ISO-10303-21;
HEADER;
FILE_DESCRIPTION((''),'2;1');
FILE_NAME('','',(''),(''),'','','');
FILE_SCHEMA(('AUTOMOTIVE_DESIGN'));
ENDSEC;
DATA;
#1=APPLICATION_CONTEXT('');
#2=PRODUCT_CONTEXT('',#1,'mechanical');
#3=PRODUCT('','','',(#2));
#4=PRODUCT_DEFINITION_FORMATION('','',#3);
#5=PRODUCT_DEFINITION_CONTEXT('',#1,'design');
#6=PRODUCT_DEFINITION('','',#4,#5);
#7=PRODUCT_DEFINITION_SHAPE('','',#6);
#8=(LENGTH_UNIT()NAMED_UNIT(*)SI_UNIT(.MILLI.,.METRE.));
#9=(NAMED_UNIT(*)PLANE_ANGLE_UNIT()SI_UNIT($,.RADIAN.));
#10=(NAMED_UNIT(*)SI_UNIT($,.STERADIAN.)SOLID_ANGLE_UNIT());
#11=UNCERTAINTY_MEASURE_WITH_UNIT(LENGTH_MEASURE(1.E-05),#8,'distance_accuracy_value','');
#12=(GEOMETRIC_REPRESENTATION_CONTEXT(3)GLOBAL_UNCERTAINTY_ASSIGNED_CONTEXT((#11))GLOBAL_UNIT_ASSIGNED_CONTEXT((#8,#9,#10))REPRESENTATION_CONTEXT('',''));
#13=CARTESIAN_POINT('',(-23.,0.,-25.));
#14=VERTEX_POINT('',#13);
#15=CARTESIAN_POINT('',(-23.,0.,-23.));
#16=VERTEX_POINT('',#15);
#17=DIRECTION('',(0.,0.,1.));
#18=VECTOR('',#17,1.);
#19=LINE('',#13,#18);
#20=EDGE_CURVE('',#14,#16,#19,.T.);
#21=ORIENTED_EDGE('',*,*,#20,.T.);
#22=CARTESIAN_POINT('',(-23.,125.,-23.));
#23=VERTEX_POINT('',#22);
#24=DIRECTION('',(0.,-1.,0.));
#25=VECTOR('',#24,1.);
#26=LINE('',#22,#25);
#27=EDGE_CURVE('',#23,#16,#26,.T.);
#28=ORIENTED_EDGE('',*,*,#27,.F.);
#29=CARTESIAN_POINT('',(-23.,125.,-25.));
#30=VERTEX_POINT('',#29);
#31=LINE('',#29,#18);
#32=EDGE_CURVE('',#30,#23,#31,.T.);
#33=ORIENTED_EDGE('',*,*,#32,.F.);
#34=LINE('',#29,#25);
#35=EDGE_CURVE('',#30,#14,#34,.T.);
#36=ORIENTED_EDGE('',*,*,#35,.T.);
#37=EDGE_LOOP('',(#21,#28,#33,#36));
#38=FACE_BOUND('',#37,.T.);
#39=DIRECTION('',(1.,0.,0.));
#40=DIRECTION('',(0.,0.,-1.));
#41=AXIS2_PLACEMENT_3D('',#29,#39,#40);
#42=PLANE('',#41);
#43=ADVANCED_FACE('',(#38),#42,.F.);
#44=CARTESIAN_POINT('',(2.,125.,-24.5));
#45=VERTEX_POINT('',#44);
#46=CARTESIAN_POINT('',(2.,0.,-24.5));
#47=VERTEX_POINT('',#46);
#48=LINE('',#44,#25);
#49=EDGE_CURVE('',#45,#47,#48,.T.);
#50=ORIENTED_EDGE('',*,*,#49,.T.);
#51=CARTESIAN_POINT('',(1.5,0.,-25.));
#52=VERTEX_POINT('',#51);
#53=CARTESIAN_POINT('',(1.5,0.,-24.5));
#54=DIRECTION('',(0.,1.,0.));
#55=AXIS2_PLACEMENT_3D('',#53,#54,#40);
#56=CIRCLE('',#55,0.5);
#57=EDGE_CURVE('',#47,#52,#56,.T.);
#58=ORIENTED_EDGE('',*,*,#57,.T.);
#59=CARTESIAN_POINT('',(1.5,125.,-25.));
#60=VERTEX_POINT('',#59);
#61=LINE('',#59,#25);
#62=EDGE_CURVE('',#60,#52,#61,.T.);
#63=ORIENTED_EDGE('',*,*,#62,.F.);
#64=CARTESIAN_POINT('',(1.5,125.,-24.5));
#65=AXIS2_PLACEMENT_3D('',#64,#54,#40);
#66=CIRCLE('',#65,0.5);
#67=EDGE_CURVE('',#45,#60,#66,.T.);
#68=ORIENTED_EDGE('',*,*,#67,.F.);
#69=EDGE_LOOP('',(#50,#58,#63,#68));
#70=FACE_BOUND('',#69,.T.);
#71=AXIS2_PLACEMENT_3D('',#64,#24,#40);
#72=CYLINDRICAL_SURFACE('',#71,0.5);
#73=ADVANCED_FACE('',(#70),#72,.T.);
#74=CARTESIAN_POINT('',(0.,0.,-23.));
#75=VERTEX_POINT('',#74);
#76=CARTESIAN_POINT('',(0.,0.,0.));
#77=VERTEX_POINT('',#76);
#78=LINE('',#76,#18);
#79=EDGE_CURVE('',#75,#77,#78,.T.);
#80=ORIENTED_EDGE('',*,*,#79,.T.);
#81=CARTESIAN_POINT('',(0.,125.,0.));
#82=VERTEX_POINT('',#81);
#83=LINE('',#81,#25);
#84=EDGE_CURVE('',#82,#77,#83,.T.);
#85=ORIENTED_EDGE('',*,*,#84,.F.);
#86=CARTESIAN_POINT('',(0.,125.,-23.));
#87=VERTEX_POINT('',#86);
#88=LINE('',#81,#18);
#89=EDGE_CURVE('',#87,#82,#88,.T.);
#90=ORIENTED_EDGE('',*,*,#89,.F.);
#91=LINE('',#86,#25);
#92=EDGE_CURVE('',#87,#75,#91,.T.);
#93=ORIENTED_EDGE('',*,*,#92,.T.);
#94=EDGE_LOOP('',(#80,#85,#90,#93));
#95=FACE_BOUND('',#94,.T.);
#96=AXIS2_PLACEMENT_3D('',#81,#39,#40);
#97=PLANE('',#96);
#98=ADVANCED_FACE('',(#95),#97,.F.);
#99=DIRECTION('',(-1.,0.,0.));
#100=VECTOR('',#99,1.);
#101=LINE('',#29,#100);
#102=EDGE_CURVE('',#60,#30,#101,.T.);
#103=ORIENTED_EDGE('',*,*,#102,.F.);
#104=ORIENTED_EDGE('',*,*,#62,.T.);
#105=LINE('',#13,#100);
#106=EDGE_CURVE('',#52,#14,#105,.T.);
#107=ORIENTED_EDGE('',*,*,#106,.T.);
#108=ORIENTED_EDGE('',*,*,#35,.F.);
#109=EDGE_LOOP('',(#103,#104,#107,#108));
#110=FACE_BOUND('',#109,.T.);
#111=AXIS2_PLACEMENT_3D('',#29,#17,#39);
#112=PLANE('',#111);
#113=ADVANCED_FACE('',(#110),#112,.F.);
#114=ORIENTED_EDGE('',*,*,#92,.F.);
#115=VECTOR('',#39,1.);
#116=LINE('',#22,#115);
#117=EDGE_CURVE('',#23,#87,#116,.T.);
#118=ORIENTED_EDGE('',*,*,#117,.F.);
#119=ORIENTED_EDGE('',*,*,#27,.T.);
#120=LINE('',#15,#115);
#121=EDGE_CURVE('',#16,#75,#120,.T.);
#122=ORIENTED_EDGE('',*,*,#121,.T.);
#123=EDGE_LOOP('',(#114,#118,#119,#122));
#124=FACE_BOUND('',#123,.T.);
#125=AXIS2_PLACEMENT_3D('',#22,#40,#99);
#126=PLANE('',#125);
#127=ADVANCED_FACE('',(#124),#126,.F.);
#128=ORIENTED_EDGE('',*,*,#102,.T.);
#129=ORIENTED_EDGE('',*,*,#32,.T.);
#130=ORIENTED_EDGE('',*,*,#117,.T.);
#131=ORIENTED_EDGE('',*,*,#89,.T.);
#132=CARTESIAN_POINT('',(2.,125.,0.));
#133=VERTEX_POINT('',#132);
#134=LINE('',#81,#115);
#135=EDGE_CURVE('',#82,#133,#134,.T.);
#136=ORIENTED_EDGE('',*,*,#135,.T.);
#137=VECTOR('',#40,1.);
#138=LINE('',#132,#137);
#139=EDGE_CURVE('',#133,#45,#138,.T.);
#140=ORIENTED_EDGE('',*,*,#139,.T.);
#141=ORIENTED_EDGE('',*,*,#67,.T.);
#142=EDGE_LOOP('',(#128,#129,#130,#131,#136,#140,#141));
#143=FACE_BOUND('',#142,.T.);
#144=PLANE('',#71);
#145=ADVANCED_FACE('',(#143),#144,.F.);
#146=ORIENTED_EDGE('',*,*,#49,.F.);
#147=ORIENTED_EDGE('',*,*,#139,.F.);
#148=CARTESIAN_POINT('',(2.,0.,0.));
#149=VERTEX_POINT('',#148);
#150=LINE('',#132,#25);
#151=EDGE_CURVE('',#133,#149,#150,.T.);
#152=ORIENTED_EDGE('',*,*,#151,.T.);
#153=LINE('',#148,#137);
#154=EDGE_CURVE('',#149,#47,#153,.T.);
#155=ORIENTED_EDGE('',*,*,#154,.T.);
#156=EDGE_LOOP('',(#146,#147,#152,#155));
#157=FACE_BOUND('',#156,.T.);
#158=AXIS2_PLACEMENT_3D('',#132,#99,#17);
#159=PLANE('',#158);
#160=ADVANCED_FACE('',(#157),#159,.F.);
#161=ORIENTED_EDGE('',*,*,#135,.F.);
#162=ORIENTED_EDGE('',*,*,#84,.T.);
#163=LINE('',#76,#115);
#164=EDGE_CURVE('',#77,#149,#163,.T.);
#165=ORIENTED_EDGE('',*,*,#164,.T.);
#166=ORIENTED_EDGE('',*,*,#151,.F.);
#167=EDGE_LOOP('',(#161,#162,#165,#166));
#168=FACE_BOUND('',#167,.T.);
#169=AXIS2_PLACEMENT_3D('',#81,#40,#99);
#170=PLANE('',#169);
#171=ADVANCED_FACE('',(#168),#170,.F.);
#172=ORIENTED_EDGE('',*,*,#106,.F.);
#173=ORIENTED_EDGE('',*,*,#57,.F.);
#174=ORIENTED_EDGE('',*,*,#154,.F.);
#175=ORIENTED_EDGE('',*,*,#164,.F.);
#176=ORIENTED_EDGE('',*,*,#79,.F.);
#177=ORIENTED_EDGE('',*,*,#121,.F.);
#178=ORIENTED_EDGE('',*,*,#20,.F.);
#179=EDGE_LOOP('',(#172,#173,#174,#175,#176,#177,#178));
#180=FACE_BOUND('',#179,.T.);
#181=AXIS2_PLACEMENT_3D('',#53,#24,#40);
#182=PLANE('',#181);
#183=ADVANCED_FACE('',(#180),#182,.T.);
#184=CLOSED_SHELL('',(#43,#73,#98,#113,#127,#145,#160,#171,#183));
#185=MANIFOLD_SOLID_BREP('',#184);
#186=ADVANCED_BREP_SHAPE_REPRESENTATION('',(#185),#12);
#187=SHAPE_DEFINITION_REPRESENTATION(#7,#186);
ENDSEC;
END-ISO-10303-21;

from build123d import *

# Parameters (mm, degrees)
SALIENTE_EXTRUIR1_DEPTH = 125


with BuildPart() as part:
    # Croquis1 → Saliente-Extruir1 (new body)
    with BuildSketch(Plane(origin=(0, 0, 0), x_dir=(1, 0, 0), z_dir=(0, 1, 0))):
        with BuildLine():
            Line((-23, 23), (0, 23))
            Line((0, 23), (0, 0))
            Line((0, 0), (2, 0))
            Line((2, 0), (2, 24.5))
            ThreePointArc((2, 24.5), (1.853553391, 24.853553391), (1.5, 25))
            Line((1.5, 25), (-23, 25))
            Line((-23, 25), (-23, 23))
        make_face()
    extrude(amount=SALIENTE_EXTRUIR1_DEPTH)


solid = part.part
